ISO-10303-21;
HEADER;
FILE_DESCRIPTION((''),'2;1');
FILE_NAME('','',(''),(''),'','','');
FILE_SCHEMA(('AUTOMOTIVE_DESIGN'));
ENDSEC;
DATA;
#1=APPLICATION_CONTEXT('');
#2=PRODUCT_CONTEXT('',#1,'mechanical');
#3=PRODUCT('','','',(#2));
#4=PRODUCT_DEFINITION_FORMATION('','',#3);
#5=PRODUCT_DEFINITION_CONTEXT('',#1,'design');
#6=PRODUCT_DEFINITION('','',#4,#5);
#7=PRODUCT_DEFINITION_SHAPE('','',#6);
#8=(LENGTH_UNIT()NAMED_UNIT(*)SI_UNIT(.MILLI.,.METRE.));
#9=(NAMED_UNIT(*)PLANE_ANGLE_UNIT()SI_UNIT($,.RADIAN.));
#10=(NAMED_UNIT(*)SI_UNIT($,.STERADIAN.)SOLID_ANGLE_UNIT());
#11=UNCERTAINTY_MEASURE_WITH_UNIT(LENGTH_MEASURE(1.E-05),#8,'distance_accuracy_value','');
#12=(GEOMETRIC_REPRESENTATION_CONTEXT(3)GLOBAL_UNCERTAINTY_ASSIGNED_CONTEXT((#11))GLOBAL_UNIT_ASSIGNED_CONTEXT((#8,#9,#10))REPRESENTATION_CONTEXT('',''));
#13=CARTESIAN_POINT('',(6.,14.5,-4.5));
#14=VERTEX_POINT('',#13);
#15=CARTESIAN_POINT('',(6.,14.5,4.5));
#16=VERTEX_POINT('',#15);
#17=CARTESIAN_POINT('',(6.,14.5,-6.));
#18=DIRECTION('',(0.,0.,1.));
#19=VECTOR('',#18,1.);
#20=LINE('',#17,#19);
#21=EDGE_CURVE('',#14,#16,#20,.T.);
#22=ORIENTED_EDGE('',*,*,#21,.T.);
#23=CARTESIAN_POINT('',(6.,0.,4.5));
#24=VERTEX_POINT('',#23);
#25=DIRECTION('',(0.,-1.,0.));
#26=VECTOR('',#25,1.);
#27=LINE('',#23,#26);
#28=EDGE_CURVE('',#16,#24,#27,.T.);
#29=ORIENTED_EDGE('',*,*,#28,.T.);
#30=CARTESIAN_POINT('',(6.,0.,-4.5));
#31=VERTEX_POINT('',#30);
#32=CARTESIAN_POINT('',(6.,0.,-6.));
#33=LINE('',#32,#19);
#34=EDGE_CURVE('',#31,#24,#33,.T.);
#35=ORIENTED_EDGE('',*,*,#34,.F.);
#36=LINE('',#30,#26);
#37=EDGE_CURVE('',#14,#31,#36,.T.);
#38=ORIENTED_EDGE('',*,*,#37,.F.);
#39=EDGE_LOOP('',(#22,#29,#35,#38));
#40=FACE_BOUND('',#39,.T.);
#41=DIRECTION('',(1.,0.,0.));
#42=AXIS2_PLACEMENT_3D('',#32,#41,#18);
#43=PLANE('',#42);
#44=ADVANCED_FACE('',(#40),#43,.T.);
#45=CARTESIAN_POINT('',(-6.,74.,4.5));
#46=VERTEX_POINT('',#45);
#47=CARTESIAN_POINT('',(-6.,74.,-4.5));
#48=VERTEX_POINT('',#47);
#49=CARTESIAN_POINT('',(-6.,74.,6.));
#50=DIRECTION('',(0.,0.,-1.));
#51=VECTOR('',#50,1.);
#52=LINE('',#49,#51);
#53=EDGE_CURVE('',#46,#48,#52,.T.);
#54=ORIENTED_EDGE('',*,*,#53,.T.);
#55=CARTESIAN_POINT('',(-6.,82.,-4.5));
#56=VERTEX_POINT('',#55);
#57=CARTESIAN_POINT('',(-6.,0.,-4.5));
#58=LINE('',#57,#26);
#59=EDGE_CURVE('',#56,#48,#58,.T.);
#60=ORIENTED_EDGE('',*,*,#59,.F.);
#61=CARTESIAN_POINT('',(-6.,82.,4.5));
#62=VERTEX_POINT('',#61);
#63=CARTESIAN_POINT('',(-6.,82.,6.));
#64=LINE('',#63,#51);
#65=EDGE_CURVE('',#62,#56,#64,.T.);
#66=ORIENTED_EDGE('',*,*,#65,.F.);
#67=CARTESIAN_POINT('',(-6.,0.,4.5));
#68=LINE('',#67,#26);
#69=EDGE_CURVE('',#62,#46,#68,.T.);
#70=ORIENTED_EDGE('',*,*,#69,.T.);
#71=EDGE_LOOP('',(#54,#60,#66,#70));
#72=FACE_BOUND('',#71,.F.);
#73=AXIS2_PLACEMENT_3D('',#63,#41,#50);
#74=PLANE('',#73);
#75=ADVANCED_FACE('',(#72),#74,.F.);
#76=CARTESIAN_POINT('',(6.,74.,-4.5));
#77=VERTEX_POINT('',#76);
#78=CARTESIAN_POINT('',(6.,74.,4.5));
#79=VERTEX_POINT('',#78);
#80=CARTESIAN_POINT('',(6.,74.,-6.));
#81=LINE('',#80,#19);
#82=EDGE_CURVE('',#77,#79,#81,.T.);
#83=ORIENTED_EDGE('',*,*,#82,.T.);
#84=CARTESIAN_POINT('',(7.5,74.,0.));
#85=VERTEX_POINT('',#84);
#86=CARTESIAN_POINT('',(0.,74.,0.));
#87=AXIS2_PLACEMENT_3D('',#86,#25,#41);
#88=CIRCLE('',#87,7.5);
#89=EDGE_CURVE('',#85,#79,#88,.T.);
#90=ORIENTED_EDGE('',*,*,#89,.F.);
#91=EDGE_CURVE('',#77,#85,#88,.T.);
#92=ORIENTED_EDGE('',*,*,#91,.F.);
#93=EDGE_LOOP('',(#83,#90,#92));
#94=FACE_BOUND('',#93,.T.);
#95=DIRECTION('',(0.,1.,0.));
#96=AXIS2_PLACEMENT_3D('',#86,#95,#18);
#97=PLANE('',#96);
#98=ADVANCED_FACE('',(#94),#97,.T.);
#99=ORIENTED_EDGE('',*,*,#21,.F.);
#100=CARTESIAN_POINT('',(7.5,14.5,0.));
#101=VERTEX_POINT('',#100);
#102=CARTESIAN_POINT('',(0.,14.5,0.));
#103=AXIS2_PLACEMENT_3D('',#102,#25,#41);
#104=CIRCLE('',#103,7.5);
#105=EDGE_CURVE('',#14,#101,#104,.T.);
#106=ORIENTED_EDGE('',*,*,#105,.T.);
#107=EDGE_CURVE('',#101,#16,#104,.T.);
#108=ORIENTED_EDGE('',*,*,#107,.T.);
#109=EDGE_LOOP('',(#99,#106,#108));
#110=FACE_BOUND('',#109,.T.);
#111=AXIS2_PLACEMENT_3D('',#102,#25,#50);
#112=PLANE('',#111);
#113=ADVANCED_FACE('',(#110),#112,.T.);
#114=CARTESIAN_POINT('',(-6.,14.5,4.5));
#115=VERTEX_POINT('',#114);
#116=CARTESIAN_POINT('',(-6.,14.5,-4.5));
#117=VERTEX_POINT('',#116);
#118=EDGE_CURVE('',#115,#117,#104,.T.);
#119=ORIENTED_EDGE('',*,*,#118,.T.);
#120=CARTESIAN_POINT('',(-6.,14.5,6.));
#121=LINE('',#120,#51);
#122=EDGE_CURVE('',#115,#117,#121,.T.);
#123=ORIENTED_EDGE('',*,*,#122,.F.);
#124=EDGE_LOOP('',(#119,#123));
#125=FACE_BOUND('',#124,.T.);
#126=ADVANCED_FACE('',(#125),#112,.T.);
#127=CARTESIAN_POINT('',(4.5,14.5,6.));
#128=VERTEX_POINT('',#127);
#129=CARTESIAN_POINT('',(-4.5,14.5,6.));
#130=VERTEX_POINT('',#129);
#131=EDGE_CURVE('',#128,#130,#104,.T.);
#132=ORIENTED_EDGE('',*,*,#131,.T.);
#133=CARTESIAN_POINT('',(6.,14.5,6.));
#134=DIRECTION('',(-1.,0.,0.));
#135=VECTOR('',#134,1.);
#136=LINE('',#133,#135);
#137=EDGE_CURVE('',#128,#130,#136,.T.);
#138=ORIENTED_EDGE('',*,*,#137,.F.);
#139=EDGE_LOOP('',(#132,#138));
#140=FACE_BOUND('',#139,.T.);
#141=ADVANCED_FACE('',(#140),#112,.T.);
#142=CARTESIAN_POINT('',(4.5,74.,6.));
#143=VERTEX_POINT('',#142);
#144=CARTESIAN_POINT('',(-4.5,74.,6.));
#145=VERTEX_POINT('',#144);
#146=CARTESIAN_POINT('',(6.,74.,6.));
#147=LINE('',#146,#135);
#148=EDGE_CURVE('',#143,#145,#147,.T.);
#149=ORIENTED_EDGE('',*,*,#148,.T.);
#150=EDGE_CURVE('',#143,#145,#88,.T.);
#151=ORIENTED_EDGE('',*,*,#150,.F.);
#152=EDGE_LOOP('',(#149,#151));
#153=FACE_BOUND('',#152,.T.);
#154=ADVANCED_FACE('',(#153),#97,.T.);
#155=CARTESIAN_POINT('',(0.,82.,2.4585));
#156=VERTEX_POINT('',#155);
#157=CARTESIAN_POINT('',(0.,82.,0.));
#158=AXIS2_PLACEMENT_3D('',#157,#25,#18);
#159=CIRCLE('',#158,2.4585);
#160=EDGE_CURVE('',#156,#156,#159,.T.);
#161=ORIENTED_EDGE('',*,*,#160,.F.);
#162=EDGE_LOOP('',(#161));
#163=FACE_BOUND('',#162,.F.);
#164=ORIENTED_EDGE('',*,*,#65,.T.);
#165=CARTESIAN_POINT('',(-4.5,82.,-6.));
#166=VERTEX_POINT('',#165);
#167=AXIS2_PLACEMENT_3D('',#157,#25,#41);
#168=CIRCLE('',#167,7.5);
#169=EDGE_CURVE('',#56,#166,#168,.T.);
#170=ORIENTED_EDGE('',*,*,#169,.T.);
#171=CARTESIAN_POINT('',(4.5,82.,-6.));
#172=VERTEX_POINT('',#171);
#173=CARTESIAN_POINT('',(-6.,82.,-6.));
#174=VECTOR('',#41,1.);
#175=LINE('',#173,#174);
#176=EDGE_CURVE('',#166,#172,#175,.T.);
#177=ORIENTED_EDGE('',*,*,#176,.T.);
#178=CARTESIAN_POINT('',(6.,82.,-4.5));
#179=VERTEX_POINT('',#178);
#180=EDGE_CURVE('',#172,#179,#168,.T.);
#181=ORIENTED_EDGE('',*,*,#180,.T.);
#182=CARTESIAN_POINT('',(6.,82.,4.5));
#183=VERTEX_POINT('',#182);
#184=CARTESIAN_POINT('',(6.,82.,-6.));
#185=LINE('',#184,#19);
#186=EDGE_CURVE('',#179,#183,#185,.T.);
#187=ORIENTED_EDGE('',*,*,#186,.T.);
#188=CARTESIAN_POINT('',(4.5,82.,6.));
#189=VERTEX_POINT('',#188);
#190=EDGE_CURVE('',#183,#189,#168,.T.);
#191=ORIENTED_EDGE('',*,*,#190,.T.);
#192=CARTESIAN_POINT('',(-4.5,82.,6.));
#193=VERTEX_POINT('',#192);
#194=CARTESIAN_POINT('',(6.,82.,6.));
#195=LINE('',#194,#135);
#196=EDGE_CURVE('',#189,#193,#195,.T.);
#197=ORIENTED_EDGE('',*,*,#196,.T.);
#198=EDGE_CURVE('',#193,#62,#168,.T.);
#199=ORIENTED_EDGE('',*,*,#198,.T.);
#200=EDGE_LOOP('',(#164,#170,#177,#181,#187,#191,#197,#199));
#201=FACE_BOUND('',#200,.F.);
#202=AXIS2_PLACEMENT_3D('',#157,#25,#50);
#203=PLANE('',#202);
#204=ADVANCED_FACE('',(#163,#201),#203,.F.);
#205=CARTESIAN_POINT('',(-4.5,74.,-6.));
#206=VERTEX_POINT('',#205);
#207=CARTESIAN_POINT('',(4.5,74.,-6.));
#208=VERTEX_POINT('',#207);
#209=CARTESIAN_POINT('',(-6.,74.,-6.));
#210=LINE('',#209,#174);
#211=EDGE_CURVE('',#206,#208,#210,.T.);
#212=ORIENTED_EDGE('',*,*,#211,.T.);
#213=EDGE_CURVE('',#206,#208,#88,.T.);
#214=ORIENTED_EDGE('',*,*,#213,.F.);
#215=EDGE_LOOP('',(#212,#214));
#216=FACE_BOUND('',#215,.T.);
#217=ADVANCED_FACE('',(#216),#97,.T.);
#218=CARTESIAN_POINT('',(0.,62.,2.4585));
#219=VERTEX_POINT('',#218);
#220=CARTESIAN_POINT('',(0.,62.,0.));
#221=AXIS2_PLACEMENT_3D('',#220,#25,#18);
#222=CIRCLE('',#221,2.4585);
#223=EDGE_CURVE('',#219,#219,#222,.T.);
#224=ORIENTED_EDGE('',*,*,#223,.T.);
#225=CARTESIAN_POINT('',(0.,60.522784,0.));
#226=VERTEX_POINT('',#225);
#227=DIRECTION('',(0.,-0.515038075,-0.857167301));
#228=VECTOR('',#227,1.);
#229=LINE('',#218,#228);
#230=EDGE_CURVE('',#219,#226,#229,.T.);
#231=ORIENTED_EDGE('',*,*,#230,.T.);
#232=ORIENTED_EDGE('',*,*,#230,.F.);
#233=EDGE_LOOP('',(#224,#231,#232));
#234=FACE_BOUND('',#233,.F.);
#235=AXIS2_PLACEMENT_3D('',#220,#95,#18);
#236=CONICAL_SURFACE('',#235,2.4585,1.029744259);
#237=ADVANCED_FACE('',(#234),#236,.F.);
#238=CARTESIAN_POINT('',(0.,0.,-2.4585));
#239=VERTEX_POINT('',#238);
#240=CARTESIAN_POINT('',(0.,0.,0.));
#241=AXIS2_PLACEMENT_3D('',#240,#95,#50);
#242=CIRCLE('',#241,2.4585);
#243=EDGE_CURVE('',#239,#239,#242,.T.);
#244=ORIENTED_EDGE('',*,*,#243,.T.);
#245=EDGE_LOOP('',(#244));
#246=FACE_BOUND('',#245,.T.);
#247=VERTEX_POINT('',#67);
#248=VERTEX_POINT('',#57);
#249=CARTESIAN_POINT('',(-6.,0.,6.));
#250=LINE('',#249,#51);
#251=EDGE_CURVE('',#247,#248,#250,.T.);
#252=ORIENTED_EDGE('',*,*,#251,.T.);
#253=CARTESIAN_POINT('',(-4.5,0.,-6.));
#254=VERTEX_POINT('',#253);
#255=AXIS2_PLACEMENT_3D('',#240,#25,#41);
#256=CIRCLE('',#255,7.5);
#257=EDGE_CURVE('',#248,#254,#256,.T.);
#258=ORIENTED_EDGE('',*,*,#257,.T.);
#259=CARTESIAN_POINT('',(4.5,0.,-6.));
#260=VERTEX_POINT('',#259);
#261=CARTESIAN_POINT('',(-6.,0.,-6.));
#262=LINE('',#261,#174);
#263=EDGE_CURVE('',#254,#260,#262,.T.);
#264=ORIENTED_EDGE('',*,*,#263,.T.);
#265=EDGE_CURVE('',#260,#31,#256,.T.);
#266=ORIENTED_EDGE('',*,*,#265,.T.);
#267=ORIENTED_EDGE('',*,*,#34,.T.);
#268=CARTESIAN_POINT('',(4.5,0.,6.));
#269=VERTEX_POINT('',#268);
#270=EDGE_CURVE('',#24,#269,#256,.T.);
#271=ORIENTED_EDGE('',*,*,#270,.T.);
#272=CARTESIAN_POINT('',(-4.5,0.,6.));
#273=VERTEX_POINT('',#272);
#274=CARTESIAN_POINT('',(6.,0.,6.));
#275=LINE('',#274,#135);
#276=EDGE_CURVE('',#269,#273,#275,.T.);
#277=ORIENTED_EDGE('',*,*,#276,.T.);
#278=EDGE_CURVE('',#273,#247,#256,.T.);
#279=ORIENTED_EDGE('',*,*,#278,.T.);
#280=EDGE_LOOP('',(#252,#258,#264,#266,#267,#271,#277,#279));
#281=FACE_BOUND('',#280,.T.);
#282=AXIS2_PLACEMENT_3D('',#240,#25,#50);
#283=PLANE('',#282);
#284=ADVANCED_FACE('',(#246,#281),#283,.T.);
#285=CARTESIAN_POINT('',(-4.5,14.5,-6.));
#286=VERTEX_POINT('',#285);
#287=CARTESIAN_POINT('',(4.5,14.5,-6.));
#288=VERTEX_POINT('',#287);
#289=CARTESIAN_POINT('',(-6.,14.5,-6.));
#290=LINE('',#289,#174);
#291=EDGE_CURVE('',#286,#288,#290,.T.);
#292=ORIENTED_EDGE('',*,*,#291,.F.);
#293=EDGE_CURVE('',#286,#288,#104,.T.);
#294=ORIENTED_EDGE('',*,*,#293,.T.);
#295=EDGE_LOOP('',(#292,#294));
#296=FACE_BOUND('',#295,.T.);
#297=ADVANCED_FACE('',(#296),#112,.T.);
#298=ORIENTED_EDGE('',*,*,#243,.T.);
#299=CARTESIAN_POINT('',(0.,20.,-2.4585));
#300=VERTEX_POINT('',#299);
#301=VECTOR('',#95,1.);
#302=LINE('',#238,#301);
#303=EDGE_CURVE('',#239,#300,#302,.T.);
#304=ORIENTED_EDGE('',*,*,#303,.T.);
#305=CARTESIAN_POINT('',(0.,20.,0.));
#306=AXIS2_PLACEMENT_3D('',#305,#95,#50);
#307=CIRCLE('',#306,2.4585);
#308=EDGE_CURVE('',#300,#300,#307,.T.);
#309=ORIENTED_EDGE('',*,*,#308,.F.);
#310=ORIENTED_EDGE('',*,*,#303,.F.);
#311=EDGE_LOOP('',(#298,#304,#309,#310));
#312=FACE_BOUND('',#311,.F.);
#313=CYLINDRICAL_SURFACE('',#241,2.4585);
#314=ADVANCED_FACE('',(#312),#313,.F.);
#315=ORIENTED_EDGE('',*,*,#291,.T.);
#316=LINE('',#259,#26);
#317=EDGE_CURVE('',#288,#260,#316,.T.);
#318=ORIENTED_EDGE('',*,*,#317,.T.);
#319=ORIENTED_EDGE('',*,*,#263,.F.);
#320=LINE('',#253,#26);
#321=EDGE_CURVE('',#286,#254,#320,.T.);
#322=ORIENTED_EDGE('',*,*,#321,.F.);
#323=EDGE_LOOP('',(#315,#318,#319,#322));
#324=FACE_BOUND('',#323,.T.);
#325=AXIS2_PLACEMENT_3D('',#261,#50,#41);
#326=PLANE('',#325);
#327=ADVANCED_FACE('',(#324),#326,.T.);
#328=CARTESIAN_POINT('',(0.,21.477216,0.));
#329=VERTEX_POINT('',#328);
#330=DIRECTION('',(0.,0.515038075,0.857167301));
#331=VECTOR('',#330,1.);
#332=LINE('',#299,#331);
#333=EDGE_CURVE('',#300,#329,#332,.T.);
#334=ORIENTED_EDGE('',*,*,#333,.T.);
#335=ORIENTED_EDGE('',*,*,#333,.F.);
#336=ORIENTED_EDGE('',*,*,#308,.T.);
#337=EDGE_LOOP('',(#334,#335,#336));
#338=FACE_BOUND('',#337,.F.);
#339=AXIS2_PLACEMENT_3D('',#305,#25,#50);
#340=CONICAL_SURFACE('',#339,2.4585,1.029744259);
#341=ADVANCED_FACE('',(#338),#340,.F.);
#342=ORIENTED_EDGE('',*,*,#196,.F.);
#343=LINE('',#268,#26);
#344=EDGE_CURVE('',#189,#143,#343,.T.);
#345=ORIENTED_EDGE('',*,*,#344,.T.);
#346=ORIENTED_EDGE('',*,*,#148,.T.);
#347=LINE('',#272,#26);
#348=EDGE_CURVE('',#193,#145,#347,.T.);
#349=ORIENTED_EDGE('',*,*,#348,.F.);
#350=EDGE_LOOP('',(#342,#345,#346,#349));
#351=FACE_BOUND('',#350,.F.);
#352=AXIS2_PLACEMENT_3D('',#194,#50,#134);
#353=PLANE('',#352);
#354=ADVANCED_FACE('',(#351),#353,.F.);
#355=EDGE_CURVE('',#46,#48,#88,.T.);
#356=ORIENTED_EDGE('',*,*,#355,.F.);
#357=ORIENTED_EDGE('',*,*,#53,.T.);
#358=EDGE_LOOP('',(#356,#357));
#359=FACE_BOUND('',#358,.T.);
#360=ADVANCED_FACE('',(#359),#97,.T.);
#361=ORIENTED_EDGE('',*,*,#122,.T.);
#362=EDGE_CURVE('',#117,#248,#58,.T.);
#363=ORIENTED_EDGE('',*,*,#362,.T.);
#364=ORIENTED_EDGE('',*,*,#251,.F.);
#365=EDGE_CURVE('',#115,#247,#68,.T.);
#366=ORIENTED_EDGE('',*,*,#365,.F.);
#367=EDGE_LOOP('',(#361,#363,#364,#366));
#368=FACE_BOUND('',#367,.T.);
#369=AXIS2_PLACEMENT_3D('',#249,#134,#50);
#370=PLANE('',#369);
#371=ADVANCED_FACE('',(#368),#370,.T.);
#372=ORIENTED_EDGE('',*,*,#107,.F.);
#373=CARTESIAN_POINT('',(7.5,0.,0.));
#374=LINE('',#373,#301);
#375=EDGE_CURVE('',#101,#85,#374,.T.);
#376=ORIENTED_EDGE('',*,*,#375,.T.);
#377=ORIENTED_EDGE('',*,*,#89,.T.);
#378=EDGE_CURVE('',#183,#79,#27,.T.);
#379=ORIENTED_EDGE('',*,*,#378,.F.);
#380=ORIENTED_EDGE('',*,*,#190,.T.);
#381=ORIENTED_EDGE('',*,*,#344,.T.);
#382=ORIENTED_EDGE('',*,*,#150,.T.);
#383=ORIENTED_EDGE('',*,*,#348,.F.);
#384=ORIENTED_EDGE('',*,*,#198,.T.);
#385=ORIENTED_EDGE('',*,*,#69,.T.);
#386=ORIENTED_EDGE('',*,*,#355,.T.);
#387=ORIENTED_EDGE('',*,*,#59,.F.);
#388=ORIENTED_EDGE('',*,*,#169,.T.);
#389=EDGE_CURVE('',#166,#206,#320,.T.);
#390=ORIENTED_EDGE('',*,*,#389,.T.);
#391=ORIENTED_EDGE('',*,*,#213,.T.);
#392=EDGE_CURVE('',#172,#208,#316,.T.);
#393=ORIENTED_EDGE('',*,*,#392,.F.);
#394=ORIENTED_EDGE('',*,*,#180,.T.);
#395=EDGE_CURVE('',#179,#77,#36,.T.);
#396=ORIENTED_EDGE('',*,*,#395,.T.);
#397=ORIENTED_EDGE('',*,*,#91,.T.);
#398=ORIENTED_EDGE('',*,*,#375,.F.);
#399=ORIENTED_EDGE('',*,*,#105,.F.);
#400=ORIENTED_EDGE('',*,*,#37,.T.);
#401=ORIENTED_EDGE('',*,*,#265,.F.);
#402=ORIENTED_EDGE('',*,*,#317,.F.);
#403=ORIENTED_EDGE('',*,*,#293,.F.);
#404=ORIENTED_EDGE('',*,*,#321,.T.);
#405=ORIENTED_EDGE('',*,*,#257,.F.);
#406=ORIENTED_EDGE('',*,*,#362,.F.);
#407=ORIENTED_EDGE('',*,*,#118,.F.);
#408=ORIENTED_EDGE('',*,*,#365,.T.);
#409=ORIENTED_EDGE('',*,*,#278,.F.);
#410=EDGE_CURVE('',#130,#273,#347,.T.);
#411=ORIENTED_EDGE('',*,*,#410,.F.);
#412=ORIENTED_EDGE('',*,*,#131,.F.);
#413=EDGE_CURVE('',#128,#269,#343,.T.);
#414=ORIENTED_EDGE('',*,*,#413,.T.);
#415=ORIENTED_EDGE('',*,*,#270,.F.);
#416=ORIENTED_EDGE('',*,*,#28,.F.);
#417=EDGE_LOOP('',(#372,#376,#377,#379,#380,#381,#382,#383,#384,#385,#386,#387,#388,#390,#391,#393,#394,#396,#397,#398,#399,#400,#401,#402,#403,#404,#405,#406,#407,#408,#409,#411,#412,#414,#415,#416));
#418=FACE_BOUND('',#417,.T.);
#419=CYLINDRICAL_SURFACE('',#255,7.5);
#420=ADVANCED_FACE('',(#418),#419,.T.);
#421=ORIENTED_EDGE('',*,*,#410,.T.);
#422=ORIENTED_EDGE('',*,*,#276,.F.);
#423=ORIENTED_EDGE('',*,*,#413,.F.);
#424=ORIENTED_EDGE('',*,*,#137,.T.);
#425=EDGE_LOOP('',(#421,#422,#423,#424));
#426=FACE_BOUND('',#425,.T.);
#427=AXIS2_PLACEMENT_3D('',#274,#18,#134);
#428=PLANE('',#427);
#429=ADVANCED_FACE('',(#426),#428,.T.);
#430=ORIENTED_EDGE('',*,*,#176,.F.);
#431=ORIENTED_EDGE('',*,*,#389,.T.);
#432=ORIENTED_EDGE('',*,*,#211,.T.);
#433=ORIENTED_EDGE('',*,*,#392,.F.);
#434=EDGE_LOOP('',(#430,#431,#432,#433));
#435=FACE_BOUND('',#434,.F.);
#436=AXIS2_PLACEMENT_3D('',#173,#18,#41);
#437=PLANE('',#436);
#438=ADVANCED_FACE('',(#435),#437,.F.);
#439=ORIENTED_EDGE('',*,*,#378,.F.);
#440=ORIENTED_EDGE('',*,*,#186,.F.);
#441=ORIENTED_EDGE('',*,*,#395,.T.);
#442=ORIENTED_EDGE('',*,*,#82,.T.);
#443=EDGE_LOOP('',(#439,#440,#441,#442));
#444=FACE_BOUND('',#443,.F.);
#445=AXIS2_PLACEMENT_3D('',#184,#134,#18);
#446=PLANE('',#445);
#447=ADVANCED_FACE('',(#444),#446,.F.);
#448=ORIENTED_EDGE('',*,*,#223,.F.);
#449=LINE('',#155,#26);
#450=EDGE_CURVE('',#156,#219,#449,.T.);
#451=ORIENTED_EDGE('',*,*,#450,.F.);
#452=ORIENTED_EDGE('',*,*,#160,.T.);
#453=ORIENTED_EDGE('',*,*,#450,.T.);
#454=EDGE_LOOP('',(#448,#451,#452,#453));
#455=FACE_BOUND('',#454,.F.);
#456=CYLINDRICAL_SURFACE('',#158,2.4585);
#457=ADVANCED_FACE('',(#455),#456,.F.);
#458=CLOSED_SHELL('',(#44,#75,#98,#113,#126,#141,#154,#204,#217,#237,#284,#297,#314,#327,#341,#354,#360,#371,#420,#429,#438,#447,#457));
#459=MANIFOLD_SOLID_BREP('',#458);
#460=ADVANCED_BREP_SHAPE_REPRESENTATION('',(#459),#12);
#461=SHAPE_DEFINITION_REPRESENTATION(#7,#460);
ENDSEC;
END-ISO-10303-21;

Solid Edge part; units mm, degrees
sketch "Sketch1" plane through (0, 0, 0) normal (0, -1, 0) x (1, 0, 0)
  circle A0 centre (0, 0) radius 7.5
  dimension "D1" = 15
extrude "Protrusion1" add sketch "Sketch1" against normal blind 82
sketch "Sketch2" plane through (0, 0, 0) normal (0, -1, 0) x (1, 0, 0)
  line L0 (-6, -6) -> (6, -6)
  line L1 (6, -6) -> (6, 6)
  line L2 (6, 6) -> (-6, 6)
  line L3 (-6, 6) -> (-6, -6)
  circle A0 centre (0, 0) radius 11.1148
  dimension "D1" = 12
  dimension "D2" = 12
extrude "VaciadoExtruido_1" cut sketch "Sketch2" against normal blind 14.5
sketch "Sketch3" plane through (0, 82, 0) normal (0, 1, 0) x (-1, 0, 0)
  line L0 (-6, 6) -> (6, 6)
  line L1 (6, 6) -> (6, -6)
  line L2 (6, -6) -> (-6, -6)
  line L3 (-6, -6) -> (-6, 6)
  circle A0 centre (0, 0) radius 11.8387
  dimension "D1" = 12
  dimension "D2" = 12
extrude "VaciadoExtruido_2" cut sketch "Sketch3" against normal blind 8
hole "Agujero_1" at (0, 0, 0) direction (0, 1, 0) diameter 4.917 depth 20 tip angle 118 thread major 6 thread length 15
hole "Agujero_2" at (0, 82, 0) direction (0, -1, 0) diameter 4.917 depth 20 tip angle 118 thread major 6 thread length 15
properties part number "1976-1300-007"
